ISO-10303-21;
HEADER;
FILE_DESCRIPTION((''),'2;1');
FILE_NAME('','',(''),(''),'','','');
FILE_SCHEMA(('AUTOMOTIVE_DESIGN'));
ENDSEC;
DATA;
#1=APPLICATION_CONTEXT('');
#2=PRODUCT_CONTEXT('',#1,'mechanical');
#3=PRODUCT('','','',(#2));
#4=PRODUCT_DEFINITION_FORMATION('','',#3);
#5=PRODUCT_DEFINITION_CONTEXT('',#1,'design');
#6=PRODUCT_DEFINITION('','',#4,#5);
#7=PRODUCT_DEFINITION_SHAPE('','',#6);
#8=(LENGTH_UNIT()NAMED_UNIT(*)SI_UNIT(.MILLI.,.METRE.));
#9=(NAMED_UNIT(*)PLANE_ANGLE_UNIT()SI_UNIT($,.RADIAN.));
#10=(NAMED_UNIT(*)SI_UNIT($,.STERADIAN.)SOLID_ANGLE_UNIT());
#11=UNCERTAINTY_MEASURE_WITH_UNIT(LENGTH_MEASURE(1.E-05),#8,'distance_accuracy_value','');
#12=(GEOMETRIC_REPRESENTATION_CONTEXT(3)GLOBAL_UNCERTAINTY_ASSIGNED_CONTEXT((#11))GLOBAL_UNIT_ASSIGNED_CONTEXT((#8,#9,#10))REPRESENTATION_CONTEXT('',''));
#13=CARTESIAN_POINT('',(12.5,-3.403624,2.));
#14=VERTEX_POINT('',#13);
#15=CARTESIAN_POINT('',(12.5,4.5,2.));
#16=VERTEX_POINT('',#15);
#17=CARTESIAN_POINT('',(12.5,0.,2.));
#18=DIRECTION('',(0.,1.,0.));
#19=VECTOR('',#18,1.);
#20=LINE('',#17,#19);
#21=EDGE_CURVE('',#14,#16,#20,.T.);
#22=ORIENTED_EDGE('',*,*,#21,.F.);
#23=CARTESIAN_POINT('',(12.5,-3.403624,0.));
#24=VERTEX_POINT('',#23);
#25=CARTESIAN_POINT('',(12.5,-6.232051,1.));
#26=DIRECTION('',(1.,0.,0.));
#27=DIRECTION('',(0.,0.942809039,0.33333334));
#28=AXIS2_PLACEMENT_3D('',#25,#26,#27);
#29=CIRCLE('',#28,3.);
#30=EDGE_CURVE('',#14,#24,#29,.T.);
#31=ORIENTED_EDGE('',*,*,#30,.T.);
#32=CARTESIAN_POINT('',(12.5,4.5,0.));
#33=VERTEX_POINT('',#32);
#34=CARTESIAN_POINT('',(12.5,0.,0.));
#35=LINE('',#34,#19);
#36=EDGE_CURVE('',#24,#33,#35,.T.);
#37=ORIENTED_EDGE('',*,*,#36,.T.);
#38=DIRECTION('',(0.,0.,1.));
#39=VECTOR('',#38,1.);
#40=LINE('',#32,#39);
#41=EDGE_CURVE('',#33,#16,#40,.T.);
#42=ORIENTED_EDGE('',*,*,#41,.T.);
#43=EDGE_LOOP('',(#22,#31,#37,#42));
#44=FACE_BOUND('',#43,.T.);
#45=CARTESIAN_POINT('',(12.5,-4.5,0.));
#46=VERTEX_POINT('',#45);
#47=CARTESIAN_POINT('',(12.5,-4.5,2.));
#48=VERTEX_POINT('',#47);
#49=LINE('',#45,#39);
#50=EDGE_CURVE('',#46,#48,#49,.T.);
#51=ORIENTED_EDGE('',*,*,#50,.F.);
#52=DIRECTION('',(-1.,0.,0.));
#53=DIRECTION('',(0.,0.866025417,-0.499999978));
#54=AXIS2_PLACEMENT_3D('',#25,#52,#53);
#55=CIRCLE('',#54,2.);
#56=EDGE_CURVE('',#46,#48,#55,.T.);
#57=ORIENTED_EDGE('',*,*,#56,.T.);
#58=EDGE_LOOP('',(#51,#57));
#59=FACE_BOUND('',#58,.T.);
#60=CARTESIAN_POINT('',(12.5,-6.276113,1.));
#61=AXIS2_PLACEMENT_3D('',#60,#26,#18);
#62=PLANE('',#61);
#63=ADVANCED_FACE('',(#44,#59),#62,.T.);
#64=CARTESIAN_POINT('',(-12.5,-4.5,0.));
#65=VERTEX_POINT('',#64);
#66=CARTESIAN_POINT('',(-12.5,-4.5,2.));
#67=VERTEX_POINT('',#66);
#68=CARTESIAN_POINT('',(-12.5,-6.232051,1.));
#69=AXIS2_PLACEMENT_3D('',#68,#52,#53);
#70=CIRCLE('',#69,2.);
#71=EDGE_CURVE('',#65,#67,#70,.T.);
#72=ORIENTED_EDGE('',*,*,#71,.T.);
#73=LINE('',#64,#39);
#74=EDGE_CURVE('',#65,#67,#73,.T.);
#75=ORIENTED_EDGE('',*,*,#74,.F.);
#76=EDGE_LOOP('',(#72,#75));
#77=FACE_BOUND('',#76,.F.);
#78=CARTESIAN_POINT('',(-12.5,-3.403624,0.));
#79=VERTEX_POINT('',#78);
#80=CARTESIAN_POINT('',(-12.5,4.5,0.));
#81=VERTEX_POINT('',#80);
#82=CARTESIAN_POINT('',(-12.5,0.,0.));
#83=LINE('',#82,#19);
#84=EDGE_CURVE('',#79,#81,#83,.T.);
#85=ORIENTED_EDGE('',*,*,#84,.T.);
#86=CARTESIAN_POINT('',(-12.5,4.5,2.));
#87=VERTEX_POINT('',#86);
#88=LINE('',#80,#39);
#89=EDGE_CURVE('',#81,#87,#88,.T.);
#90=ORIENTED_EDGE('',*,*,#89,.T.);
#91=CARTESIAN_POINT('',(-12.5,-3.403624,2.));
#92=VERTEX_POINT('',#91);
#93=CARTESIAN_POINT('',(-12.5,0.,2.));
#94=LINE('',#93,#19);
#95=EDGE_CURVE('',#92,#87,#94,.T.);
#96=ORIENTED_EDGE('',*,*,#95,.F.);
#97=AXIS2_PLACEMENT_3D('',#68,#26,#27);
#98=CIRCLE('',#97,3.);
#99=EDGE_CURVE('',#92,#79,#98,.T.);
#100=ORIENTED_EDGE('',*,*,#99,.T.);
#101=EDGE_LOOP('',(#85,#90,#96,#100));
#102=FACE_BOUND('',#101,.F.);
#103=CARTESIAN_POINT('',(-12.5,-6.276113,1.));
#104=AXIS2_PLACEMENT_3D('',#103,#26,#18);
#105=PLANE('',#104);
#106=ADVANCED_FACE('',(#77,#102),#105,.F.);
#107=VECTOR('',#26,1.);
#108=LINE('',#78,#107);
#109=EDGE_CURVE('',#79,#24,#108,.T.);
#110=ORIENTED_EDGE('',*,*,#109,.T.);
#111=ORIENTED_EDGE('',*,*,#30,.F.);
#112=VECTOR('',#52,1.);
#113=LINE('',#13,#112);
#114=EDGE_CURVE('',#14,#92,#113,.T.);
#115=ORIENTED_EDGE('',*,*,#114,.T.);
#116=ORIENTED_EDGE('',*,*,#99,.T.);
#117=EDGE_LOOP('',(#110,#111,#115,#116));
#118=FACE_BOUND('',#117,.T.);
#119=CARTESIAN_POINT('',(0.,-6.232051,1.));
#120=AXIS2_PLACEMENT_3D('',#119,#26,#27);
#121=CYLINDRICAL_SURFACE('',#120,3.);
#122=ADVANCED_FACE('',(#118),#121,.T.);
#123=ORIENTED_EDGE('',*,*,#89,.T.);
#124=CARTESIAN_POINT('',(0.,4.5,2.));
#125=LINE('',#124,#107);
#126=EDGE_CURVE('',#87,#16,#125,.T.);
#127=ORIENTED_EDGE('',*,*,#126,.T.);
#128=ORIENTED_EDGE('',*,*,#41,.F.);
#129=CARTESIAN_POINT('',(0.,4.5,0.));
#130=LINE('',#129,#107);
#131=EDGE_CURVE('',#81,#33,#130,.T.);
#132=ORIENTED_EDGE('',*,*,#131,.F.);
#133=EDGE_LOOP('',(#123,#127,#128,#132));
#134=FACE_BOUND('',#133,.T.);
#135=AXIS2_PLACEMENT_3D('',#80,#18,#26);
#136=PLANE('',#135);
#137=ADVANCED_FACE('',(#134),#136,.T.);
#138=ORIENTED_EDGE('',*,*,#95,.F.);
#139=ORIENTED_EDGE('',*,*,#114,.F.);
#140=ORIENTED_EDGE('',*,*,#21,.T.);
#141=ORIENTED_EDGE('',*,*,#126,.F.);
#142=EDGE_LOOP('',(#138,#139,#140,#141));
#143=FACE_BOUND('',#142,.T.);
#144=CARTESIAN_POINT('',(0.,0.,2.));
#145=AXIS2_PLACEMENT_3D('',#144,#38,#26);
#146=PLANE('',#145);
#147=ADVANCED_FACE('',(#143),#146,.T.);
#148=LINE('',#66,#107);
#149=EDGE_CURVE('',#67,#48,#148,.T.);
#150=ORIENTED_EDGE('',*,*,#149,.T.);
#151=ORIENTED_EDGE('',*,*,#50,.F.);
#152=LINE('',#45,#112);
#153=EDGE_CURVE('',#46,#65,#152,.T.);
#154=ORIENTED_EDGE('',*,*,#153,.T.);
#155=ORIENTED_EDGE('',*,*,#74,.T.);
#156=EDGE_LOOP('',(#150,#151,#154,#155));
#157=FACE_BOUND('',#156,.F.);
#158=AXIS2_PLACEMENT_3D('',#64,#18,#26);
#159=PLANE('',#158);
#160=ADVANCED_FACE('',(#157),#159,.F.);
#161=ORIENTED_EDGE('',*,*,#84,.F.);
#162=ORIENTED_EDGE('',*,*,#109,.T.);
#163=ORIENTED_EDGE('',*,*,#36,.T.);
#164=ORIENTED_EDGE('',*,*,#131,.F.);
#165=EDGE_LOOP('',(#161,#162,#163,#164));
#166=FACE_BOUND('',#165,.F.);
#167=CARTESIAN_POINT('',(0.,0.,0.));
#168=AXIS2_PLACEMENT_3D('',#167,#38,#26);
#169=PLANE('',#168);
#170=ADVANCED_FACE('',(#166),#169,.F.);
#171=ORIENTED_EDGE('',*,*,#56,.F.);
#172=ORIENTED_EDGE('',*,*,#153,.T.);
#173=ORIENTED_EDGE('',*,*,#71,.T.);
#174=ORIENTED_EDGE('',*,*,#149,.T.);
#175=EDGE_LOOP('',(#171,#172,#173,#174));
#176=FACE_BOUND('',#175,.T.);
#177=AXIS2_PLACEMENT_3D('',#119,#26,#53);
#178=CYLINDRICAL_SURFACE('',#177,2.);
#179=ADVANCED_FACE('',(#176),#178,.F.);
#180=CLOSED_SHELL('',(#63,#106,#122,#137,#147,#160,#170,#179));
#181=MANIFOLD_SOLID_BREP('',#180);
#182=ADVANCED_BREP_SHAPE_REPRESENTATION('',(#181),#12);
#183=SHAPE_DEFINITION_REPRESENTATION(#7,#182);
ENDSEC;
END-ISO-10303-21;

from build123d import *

# Parameters (mm, degrees)
F0_W          = 25
F0_H          = 9
F1_DEPTH      = 2
F3_DEPTH      = 12.5
F3_DEPTH_BACK = 12.5


with BuildPart() as f1:
    # F0 (on Top) → F1 (new body)
    with BuildSketch(Plane.XY):
        Rectangle(F0_W, F0_H)
    extrude(amount=F1_DEPTH)

    # F2 (on Right) → F3 (join, two sides)
    with BuildSketch(Plane.YZ) as f3_sk:
        with BuildLine():
            Line((-4.5, 2), (-3.403624, 2))
            ThreePointArc((-3.403624, 2), (-9.232051, 1), (-3.403624, 0))
            Line((-3.403624, 0), (-4.5, 0))
            ThreePointArc((-4.5, 0), (-8.232051, 1), (-4.5, 2))
        make_face()
    extrude(amount=F3_DEPTH)
    extrude(f3_sk.sketch, amount=-F3_DEPTH_BACK)


solid = f1.part
